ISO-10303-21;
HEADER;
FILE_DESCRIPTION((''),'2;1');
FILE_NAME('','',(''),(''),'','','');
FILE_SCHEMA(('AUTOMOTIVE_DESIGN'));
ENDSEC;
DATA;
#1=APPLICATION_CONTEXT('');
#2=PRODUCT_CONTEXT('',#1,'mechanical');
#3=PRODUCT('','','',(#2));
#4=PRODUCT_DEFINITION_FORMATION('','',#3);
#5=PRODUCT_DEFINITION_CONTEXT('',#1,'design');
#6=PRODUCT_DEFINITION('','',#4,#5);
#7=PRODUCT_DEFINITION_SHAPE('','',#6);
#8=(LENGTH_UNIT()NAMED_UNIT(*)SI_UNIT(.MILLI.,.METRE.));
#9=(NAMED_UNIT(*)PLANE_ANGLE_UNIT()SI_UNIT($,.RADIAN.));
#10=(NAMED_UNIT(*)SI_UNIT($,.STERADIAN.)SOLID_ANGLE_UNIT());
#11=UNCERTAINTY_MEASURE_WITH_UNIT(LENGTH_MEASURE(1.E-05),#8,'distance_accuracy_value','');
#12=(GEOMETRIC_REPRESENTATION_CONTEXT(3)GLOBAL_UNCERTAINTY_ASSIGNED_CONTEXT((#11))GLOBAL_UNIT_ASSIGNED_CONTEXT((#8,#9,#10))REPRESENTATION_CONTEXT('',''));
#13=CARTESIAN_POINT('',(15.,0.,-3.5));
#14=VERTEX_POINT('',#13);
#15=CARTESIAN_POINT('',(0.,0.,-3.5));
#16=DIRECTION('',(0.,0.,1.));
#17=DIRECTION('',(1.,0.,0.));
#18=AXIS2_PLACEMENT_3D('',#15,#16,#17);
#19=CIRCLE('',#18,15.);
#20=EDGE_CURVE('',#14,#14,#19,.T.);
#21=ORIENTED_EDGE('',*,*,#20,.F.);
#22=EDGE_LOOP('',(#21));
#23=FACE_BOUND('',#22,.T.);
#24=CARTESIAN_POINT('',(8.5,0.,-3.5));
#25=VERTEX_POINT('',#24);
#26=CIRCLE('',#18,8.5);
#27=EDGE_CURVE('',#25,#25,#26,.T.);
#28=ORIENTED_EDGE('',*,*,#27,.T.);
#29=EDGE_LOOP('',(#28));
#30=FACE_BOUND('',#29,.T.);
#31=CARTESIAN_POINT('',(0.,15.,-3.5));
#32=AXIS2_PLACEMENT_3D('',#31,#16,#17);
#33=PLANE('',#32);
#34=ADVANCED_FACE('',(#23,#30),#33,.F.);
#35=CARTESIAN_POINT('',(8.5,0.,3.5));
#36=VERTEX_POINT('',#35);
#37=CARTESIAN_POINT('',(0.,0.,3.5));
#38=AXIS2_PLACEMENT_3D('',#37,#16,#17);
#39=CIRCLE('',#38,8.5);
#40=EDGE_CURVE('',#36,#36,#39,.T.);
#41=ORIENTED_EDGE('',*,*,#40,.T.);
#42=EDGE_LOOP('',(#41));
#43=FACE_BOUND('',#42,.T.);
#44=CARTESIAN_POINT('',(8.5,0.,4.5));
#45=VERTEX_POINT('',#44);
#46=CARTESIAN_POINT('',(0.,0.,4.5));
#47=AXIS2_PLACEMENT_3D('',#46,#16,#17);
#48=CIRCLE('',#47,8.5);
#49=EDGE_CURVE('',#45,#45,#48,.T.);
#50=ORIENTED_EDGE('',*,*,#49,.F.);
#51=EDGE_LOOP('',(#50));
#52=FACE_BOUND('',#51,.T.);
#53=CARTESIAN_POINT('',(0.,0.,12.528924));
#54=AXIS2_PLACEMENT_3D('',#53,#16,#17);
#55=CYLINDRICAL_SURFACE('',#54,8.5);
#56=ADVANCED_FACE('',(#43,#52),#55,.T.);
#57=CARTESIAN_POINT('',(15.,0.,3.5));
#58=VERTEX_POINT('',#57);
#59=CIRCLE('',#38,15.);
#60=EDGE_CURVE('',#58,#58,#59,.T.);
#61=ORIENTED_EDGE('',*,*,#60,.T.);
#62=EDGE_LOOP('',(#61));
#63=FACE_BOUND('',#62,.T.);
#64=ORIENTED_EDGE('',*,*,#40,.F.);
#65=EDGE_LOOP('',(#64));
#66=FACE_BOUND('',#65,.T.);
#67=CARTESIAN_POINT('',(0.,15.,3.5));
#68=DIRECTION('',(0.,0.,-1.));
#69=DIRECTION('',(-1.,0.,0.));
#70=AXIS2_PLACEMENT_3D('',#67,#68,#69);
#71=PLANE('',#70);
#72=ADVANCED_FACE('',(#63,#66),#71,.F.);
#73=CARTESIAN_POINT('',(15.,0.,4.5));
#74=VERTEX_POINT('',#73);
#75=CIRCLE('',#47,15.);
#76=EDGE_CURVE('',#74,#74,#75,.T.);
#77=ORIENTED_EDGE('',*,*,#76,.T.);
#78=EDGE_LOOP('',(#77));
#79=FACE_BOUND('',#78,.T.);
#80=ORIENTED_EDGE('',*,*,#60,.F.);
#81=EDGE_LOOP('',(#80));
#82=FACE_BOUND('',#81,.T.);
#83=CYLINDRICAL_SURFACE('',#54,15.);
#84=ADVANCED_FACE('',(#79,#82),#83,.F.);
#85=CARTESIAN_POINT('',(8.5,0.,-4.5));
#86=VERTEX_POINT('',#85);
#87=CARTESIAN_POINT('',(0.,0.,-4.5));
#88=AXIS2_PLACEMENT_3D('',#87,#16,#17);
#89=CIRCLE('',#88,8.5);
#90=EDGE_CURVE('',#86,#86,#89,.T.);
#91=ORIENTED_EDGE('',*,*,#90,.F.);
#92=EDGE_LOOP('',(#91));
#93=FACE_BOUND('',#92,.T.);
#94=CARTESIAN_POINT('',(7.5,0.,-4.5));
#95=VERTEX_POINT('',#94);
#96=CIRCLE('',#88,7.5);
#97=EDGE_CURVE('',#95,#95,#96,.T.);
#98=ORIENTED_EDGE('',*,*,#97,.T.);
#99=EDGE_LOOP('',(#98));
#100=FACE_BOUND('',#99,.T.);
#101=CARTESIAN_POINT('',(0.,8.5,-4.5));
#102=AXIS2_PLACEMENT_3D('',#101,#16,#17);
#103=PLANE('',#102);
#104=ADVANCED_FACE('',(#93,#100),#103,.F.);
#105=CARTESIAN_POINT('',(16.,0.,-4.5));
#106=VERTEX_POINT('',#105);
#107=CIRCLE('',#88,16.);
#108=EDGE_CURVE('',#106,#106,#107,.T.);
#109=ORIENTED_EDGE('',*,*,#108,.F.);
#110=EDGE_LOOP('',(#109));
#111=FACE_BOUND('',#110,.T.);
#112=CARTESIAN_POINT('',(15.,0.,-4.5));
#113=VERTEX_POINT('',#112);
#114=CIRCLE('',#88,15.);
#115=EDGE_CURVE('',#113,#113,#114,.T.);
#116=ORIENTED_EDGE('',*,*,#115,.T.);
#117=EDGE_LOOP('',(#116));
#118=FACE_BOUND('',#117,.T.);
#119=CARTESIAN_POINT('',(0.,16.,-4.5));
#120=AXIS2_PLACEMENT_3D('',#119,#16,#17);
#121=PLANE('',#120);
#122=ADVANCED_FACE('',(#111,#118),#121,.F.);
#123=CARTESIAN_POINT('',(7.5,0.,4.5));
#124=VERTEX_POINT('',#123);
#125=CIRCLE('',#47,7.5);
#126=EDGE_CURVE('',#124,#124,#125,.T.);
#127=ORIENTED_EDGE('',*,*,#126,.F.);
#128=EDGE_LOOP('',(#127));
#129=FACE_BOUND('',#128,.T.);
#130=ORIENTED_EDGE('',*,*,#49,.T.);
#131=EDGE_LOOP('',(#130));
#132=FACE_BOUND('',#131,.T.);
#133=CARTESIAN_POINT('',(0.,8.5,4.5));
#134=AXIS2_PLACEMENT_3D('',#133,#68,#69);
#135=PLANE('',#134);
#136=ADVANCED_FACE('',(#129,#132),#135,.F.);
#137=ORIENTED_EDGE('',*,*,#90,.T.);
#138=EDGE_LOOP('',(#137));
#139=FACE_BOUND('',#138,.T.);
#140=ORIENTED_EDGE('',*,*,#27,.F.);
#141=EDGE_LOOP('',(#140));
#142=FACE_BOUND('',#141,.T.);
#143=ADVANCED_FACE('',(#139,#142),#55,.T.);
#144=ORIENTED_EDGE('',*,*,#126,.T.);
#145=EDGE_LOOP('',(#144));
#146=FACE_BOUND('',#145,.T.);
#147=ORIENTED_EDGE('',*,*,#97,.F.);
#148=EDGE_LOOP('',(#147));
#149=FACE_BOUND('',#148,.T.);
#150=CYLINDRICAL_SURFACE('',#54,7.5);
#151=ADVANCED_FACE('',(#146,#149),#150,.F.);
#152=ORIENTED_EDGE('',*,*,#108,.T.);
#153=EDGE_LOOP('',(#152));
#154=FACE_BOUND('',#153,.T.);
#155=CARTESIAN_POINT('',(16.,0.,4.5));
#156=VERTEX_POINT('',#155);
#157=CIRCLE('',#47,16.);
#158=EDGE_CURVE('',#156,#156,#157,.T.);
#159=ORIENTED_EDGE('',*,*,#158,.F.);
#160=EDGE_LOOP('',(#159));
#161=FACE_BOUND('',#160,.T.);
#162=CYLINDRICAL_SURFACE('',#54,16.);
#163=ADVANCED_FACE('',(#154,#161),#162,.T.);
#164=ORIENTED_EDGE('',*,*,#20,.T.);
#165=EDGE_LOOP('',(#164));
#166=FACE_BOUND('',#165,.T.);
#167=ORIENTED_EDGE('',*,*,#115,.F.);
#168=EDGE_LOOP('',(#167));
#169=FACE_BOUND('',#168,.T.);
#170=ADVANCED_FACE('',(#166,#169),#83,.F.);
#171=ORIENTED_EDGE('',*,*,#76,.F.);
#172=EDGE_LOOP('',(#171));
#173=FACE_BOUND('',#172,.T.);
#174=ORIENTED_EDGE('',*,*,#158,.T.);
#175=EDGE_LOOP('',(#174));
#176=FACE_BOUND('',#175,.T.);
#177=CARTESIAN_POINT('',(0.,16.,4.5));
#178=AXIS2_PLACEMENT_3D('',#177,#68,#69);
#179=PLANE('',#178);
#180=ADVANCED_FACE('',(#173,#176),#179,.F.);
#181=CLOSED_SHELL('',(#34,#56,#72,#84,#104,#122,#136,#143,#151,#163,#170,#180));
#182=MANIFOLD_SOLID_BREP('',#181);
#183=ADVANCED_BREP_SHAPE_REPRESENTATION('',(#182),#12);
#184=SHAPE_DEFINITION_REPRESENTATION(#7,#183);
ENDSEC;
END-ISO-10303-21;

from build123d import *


with BuildPart() as part:
    # Sketch4 → Revolve3 (revolve)
    with BuildSketch(Plane(origin=(0, 0, 0), x_dir=(0, 0, -1), z_dir=(1, 0, 0)), mode=Mode.PRIVATE) as revolve3_sk:
        Polygon((-4.5, 16), (4.5, 16), (4.5, 15), (3.5, 15), (3.5, 8.5), (4.5, 8.5), (4.5, 7.5), (-4.5, 7.5), (-4.5, 8.5), (-3.5, 8.5), (-3.5, 15), (-4.5, 15), align=None)
    revolve(revolve3_sk.sketch.rotate(Axis((0, 0, 12.528924441), (0, 0, -1)), 90), axis=Axis((0, 0, 12.528924441), (0, 0, -1)))


solid = part.part
